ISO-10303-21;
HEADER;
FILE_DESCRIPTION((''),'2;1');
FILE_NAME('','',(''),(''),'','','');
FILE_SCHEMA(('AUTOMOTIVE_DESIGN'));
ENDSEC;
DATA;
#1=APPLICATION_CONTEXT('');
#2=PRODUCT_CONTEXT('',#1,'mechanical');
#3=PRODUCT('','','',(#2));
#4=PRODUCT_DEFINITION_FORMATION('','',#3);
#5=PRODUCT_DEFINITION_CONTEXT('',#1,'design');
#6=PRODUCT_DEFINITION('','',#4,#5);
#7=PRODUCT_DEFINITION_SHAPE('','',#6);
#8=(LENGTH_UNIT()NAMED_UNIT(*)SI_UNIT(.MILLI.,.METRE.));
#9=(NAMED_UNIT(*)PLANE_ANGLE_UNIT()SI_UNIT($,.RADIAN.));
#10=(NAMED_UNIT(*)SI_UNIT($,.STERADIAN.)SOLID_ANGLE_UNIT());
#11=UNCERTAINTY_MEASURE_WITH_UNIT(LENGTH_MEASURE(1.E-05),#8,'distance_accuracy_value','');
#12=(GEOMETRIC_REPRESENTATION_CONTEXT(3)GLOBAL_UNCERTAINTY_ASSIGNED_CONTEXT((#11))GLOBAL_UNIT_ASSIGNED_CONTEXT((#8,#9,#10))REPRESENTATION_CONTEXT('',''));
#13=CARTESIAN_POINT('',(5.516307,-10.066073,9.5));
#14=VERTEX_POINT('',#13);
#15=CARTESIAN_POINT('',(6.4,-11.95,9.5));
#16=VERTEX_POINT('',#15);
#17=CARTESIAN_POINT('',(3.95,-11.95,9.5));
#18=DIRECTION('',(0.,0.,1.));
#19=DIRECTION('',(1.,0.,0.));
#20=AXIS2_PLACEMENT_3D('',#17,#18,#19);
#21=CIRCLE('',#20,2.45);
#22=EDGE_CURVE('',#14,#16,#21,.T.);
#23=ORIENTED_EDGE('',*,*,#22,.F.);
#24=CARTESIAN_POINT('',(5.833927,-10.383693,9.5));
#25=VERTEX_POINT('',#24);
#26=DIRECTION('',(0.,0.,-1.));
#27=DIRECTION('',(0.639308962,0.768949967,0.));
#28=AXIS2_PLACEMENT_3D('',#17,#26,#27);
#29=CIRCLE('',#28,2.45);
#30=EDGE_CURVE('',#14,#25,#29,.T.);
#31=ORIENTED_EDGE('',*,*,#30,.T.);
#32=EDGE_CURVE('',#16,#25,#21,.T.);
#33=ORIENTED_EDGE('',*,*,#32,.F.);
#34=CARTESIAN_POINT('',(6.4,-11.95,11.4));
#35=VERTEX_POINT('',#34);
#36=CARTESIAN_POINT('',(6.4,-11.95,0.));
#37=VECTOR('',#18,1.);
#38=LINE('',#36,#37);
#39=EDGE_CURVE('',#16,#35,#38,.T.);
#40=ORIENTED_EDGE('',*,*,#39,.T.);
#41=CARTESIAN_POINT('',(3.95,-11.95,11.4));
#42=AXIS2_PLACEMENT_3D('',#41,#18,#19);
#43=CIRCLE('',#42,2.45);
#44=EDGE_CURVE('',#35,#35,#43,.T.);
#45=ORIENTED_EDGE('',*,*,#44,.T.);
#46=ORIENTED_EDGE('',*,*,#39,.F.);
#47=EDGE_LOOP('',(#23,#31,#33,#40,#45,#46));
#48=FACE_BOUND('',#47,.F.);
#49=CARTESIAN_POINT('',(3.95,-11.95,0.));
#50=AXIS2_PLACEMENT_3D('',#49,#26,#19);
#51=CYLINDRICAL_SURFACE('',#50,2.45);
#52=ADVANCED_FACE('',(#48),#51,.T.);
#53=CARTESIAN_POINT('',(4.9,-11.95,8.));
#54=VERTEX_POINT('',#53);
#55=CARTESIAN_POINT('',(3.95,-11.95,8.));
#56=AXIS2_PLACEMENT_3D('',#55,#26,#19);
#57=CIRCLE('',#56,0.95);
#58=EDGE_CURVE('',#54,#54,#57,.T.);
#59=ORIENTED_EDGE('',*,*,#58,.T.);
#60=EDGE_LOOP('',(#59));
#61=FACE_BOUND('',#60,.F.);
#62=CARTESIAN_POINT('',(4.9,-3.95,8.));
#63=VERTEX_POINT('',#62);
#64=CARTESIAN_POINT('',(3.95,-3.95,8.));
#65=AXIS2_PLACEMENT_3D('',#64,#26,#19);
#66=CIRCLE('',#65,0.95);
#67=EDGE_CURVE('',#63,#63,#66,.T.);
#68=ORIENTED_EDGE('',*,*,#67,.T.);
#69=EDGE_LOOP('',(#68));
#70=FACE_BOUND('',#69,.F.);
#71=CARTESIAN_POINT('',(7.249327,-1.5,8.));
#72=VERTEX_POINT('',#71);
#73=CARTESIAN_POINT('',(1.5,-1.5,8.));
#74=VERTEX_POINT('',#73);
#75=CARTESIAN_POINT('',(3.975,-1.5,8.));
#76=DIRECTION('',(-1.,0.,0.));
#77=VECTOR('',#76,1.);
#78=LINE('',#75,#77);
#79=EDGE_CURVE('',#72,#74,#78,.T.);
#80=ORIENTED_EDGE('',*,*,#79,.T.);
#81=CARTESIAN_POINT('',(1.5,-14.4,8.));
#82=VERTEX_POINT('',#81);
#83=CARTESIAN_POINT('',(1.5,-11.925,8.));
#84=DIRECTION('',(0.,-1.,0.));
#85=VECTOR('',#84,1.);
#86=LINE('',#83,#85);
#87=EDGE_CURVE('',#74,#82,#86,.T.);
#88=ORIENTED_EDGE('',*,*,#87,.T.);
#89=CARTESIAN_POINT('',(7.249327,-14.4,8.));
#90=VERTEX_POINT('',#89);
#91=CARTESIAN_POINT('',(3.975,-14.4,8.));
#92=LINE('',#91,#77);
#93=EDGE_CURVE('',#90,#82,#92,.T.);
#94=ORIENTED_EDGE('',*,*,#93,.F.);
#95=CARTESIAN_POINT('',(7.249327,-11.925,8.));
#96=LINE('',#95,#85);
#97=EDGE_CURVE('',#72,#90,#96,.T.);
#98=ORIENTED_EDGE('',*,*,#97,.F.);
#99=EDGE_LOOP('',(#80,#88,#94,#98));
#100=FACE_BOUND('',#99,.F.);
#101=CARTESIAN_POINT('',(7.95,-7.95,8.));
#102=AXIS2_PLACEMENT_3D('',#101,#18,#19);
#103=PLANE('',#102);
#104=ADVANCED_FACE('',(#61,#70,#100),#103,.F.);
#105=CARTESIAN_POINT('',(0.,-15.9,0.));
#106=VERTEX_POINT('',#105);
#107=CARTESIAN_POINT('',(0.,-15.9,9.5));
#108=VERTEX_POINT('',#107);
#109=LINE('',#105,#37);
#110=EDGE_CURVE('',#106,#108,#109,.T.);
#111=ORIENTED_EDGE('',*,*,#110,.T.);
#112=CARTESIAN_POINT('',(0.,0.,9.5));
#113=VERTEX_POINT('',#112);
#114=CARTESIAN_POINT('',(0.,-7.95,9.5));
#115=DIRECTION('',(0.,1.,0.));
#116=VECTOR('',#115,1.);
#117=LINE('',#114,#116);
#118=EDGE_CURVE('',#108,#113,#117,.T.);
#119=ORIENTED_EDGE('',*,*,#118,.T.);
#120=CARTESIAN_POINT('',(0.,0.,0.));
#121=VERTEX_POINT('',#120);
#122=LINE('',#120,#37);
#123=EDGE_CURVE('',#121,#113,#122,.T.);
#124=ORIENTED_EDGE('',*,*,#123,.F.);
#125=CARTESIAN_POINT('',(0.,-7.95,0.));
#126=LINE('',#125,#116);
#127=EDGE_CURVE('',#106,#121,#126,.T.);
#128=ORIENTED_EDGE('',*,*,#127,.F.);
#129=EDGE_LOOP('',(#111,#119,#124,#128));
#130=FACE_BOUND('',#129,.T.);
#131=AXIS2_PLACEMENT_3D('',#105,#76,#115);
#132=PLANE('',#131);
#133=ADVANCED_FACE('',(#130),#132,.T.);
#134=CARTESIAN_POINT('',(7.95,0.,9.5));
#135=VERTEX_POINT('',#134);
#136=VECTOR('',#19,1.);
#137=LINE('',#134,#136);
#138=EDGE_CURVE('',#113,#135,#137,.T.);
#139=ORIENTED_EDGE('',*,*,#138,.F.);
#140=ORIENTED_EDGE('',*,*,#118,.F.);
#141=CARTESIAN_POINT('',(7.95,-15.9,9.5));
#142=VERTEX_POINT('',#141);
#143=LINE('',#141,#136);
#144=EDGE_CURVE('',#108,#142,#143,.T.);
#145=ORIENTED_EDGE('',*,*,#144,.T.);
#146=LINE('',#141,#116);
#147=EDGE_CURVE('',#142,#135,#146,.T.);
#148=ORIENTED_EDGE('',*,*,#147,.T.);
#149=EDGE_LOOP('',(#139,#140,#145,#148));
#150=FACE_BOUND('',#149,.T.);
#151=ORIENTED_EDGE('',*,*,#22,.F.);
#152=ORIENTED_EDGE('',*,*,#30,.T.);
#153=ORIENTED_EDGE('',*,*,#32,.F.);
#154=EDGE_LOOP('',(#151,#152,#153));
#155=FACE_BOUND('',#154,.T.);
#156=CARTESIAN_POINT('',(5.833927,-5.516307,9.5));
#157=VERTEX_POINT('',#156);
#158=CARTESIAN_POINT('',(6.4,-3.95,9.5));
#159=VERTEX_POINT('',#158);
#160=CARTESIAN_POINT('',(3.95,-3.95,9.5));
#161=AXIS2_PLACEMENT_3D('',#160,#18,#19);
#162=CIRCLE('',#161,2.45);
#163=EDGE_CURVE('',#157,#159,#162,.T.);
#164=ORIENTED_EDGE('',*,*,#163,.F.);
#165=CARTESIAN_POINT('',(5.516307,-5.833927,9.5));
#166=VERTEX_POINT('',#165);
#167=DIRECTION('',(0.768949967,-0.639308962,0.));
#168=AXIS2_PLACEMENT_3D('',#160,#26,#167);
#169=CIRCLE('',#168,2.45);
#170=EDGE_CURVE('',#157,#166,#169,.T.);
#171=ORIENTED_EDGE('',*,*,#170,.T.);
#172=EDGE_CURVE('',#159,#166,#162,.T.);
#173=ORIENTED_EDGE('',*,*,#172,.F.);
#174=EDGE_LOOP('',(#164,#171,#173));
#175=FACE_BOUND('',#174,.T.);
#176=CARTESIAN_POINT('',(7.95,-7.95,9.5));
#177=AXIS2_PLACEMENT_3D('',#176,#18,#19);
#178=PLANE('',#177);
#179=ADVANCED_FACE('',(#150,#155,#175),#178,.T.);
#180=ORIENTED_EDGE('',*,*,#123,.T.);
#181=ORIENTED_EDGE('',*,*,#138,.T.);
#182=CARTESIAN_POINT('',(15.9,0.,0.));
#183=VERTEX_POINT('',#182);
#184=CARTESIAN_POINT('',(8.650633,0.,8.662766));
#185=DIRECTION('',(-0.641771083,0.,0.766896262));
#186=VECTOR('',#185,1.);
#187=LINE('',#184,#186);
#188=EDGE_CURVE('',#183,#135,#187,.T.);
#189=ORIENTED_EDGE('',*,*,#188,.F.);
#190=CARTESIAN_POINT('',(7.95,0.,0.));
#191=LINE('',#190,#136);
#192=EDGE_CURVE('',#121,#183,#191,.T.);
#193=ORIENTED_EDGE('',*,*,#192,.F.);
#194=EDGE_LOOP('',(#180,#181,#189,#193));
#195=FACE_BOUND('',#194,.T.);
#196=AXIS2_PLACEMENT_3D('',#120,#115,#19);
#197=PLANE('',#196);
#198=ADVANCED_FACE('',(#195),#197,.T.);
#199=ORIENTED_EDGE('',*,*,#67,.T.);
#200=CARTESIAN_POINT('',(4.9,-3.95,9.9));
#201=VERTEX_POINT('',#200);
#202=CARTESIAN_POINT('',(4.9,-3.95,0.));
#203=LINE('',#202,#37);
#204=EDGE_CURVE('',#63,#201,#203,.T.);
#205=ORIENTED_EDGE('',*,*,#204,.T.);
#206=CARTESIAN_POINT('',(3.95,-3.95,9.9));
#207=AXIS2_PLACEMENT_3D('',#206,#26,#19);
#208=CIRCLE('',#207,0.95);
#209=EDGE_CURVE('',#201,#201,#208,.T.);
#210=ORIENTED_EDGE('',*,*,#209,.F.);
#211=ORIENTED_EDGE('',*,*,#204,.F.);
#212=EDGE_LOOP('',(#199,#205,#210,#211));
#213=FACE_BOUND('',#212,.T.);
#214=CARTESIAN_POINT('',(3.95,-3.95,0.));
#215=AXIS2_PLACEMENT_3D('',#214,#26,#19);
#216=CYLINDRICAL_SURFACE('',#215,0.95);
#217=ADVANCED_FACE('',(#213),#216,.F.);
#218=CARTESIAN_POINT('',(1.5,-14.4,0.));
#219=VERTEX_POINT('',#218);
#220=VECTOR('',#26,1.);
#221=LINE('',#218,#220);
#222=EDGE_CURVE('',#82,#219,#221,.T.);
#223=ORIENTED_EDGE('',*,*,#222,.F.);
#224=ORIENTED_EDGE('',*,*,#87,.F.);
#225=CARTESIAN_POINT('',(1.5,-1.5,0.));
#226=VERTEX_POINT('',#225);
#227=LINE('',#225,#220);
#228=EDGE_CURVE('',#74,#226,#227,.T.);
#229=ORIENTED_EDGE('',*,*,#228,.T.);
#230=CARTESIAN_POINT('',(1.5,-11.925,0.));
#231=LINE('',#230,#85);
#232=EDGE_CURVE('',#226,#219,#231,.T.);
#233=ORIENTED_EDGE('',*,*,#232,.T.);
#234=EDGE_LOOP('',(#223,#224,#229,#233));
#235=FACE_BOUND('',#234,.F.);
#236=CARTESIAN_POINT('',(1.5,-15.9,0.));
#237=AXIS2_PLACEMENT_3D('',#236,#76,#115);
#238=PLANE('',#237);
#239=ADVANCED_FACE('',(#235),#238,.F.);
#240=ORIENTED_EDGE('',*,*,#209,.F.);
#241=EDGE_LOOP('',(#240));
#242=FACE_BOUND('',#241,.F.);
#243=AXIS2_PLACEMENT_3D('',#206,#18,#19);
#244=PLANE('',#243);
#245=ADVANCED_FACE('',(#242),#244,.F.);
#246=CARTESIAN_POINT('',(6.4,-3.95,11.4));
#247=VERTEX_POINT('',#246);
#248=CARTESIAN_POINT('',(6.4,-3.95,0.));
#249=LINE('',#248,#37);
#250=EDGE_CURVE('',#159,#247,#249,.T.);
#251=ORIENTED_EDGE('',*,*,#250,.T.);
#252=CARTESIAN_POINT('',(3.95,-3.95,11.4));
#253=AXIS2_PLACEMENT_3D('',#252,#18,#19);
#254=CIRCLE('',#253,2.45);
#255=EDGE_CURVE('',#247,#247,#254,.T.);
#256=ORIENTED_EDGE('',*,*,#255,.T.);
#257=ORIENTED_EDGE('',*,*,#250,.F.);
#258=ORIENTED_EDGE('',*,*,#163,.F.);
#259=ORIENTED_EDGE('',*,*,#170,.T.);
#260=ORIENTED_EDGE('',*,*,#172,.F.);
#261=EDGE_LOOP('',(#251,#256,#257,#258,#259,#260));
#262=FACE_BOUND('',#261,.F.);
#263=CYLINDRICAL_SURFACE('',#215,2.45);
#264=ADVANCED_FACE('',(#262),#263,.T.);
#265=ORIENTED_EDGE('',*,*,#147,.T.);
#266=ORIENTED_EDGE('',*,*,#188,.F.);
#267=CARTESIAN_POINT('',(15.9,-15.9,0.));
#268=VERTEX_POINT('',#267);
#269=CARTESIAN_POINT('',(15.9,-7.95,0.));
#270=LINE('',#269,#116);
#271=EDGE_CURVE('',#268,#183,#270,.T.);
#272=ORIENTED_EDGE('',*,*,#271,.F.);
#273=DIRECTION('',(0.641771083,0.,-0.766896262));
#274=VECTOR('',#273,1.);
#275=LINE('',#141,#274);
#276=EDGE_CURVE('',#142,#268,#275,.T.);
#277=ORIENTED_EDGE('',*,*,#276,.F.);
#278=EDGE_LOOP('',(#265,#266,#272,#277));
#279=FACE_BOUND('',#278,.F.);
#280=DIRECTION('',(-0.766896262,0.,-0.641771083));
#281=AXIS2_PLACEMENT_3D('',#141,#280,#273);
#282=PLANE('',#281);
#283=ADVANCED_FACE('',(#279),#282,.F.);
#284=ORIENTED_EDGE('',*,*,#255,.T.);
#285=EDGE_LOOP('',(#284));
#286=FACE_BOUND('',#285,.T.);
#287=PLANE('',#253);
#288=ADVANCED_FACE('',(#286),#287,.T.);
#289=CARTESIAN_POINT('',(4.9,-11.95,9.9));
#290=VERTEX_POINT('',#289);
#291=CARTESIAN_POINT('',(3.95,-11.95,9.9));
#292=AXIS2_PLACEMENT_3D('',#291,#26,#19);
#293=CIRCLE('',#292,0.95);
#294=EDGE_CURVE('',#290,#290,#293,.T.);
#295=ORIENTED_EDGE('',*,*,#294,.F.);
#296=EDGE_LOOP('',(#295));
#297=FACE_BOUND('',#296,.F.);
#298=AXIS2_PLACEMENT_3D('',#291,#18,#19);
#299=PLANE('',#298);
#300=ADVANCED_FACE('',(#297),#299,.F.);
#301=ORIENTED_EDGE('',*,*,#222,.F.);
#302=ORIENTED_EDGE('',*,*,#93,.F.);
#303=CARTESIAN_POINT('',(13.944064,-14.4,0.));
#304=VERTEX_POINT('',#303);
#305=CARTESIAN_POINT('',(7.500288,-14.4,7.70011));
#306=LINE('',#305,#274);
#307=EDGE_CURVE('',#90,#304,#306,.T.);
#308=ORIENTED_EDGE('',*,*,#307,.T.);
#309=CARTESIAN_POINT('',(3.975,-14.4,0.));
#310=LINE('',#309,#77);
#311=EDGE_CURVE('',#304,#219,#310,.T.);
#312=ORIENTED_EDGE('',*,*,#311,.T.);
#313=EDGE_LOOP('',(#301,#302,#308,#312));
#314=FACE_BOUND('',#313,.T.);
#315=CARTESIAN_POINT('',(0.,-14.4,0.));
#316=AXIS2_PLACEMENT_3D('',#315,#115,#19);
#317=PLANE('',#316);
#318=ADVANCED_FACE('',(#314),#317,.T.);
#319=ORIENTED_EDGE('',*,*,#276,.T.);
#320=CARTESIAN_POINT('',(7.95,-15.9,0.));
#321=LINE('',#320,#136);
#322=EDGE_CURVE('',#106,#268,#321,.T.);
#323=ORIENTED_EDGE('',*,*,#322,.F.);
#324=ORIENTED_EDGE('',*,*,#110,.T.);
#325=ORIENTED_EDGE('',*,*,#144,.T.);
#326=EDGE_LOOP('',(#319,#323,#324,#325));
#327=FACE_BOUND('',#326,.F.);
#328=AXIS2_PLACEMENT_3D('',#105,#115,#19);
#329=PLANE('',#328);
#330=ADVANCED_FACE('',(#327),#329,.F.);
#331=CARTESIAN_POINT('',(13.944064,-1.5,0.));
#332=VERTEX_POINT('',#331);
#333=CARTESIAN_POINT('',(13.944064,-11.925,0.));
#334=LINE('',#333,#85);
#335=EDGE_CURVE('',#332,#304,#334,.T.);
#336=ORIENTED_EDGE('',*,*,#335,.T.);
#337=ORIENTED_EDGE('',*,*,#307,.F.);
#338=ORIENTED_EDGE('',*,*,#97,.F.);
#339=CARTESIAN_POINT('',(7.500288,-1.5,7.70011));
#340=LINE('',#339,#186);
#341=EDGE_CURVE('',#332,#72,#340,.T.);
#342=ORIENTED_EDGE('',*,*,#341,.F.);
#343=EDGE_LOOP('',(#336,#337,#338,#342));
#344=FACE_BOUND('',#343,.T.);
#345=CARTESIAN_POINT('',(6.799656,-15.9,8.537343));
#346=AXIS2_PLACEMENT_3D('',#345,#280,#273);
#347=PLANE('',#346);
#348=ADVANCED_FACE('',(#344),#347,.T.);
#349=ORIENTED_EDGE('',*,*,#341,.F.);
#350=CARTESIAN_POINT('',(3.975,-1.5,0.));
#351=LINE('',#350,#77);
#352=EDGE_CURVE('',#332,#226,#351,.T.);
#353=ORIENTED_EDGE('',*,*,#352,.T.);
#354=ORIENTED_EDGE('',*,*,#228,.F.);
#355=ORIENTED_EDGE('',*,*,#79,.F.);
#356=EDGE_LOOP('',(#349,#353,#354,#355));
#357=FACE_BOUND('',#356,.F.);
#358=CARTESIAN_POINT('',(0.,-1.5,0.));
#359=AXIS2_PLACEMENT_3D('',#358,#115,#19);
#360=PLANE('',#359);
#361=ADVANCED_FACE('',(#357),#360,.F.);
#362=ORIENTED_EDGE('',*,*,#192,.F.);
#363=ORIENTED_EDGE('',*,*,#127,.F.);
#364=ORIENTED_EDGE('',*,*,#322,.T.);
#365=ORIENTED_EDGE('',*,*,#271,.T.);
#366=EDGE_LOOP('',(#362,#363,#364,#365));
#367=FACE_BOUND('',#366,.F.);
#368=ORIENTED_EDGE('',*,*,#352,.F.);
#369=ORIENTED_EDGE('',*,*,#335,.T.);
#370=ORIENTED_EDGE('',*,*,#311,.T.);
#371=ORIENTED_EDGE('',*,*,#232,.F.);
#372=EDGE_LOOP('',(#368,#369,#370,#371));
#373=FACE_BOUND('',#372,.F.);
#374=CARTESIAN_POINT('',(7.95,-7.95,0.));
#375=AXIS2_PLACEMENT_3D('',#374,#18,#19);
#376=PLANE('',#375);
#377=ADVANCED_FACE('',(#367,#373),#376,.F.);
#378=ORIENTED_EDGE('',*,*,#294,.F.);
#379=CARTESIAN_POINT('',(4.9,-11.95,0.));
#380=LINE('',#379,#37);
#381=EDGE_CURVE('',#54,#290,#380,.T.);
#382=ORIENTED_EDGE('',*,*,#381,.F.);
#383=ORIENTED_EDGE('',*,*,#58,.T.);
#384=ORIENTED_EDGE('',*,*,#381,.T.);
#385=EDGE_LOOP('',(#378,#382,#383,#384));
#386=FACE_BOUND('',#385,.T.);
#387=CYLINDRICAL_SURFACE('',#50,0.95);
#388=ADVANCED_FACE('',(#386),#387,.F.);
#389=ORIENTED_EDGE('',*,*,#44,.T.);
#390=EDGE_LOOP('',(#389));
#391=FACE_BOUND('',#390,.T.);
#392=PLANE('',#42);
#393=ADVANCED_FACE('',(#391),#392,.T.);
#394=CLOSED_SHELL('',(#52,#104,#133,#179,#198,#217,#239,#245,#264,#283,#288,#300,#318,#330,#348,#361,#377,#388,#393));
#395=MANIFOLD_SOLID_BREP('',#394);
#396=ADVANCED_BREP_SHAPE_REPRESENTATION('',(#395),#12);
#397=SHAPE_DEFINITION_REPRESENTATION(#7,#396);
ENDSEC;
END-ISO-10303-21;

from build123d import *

# Parameters (mm, degrees)
F0_W     = 15.9
F0_H     = 15.9
F0_R     = 2.45
F1_DEPTH = 9.5
F2_DEPTH = 11.4
F3_R     = 2.725
F5_DEPTH = 9.5
F6_DEPTH = 25
F7_T     = -1.5


with BuildPart() as f1:
    # F0 (on Top) → F1 (new body)
    with BuildSketch(Plane.XY):
        with Locations((7.95, -7.95)):
            Rectangle(F0_W, F0_H)
        with Locations((3.95, -11.95)):
            Circle(F0_R, mode=Mode.SUBTRACT)
        with Locations((3.95, -3.95)):
            Circle(F0_R, mode=Mode.SUBTRACT)
    extrude(amount=F1_DEPTH)

    # F0 (on Top) → F2 (join)
    with BuildSketch(Plane.XY):
        with Locations((3.95, -3.95)):
            Circle(F0_R)
        with Locations((3.95, -11.95)):
            Circle(F0_R)
    extrude(amount=F2_DEPTH)

    # F3 (on face) → F5 (join)
    with BuildSketch(Plane.XY):
        with BuildLine():
            ThreePointArc((5.8339274183, -5.5163069567), (5.6824116139, -5.6824116139), (5.5163069567, -5.8339274183))
            ThreePointArc((5.5163069567, -5.8339274183), (4.725, -7.95), (5.5163069567, -10.0660725817))
            ThreePointArc((5.5163069567, -10.0660725817), (5.6824116139, -10.2175883861), (5.8339274183, -10.3836930433))
            ThreePointArc((5.8339274183, -10.3836930433), (9.287215563, -10.884702632), (11.175, -7.95))
            ThreePointArc((11.175, -7.95), (9.287215563, -5.015297368), (5.8339274183, -5.5163069567))
        make_face()
        with Locations((7.95, -7.95)):
            Circle(F3_R, mode=Mode.SUBTRACT)
    extrude(amount=F5_DEPTH)

    # F4 (on face) → F6 (cut)
    with BuildSketch(Plane.XZ.offset(15.9)):
        Polygon((15.9, 9.5), (7.95, 9.5), (15.9, 0), align=None)
    extrude(amount=-F6_DEPTH, mode=Mode.SUBTRACT)

    # F7
    f7_openings = [f1.faces().sort_by_distance(p)[0] for p in [
        (7.95, -7.95, 0),
    ]]
    offset(amount=F7_T, openings=f7_openings, kind=Kind.INTERSECTION)


solid = f1.part
